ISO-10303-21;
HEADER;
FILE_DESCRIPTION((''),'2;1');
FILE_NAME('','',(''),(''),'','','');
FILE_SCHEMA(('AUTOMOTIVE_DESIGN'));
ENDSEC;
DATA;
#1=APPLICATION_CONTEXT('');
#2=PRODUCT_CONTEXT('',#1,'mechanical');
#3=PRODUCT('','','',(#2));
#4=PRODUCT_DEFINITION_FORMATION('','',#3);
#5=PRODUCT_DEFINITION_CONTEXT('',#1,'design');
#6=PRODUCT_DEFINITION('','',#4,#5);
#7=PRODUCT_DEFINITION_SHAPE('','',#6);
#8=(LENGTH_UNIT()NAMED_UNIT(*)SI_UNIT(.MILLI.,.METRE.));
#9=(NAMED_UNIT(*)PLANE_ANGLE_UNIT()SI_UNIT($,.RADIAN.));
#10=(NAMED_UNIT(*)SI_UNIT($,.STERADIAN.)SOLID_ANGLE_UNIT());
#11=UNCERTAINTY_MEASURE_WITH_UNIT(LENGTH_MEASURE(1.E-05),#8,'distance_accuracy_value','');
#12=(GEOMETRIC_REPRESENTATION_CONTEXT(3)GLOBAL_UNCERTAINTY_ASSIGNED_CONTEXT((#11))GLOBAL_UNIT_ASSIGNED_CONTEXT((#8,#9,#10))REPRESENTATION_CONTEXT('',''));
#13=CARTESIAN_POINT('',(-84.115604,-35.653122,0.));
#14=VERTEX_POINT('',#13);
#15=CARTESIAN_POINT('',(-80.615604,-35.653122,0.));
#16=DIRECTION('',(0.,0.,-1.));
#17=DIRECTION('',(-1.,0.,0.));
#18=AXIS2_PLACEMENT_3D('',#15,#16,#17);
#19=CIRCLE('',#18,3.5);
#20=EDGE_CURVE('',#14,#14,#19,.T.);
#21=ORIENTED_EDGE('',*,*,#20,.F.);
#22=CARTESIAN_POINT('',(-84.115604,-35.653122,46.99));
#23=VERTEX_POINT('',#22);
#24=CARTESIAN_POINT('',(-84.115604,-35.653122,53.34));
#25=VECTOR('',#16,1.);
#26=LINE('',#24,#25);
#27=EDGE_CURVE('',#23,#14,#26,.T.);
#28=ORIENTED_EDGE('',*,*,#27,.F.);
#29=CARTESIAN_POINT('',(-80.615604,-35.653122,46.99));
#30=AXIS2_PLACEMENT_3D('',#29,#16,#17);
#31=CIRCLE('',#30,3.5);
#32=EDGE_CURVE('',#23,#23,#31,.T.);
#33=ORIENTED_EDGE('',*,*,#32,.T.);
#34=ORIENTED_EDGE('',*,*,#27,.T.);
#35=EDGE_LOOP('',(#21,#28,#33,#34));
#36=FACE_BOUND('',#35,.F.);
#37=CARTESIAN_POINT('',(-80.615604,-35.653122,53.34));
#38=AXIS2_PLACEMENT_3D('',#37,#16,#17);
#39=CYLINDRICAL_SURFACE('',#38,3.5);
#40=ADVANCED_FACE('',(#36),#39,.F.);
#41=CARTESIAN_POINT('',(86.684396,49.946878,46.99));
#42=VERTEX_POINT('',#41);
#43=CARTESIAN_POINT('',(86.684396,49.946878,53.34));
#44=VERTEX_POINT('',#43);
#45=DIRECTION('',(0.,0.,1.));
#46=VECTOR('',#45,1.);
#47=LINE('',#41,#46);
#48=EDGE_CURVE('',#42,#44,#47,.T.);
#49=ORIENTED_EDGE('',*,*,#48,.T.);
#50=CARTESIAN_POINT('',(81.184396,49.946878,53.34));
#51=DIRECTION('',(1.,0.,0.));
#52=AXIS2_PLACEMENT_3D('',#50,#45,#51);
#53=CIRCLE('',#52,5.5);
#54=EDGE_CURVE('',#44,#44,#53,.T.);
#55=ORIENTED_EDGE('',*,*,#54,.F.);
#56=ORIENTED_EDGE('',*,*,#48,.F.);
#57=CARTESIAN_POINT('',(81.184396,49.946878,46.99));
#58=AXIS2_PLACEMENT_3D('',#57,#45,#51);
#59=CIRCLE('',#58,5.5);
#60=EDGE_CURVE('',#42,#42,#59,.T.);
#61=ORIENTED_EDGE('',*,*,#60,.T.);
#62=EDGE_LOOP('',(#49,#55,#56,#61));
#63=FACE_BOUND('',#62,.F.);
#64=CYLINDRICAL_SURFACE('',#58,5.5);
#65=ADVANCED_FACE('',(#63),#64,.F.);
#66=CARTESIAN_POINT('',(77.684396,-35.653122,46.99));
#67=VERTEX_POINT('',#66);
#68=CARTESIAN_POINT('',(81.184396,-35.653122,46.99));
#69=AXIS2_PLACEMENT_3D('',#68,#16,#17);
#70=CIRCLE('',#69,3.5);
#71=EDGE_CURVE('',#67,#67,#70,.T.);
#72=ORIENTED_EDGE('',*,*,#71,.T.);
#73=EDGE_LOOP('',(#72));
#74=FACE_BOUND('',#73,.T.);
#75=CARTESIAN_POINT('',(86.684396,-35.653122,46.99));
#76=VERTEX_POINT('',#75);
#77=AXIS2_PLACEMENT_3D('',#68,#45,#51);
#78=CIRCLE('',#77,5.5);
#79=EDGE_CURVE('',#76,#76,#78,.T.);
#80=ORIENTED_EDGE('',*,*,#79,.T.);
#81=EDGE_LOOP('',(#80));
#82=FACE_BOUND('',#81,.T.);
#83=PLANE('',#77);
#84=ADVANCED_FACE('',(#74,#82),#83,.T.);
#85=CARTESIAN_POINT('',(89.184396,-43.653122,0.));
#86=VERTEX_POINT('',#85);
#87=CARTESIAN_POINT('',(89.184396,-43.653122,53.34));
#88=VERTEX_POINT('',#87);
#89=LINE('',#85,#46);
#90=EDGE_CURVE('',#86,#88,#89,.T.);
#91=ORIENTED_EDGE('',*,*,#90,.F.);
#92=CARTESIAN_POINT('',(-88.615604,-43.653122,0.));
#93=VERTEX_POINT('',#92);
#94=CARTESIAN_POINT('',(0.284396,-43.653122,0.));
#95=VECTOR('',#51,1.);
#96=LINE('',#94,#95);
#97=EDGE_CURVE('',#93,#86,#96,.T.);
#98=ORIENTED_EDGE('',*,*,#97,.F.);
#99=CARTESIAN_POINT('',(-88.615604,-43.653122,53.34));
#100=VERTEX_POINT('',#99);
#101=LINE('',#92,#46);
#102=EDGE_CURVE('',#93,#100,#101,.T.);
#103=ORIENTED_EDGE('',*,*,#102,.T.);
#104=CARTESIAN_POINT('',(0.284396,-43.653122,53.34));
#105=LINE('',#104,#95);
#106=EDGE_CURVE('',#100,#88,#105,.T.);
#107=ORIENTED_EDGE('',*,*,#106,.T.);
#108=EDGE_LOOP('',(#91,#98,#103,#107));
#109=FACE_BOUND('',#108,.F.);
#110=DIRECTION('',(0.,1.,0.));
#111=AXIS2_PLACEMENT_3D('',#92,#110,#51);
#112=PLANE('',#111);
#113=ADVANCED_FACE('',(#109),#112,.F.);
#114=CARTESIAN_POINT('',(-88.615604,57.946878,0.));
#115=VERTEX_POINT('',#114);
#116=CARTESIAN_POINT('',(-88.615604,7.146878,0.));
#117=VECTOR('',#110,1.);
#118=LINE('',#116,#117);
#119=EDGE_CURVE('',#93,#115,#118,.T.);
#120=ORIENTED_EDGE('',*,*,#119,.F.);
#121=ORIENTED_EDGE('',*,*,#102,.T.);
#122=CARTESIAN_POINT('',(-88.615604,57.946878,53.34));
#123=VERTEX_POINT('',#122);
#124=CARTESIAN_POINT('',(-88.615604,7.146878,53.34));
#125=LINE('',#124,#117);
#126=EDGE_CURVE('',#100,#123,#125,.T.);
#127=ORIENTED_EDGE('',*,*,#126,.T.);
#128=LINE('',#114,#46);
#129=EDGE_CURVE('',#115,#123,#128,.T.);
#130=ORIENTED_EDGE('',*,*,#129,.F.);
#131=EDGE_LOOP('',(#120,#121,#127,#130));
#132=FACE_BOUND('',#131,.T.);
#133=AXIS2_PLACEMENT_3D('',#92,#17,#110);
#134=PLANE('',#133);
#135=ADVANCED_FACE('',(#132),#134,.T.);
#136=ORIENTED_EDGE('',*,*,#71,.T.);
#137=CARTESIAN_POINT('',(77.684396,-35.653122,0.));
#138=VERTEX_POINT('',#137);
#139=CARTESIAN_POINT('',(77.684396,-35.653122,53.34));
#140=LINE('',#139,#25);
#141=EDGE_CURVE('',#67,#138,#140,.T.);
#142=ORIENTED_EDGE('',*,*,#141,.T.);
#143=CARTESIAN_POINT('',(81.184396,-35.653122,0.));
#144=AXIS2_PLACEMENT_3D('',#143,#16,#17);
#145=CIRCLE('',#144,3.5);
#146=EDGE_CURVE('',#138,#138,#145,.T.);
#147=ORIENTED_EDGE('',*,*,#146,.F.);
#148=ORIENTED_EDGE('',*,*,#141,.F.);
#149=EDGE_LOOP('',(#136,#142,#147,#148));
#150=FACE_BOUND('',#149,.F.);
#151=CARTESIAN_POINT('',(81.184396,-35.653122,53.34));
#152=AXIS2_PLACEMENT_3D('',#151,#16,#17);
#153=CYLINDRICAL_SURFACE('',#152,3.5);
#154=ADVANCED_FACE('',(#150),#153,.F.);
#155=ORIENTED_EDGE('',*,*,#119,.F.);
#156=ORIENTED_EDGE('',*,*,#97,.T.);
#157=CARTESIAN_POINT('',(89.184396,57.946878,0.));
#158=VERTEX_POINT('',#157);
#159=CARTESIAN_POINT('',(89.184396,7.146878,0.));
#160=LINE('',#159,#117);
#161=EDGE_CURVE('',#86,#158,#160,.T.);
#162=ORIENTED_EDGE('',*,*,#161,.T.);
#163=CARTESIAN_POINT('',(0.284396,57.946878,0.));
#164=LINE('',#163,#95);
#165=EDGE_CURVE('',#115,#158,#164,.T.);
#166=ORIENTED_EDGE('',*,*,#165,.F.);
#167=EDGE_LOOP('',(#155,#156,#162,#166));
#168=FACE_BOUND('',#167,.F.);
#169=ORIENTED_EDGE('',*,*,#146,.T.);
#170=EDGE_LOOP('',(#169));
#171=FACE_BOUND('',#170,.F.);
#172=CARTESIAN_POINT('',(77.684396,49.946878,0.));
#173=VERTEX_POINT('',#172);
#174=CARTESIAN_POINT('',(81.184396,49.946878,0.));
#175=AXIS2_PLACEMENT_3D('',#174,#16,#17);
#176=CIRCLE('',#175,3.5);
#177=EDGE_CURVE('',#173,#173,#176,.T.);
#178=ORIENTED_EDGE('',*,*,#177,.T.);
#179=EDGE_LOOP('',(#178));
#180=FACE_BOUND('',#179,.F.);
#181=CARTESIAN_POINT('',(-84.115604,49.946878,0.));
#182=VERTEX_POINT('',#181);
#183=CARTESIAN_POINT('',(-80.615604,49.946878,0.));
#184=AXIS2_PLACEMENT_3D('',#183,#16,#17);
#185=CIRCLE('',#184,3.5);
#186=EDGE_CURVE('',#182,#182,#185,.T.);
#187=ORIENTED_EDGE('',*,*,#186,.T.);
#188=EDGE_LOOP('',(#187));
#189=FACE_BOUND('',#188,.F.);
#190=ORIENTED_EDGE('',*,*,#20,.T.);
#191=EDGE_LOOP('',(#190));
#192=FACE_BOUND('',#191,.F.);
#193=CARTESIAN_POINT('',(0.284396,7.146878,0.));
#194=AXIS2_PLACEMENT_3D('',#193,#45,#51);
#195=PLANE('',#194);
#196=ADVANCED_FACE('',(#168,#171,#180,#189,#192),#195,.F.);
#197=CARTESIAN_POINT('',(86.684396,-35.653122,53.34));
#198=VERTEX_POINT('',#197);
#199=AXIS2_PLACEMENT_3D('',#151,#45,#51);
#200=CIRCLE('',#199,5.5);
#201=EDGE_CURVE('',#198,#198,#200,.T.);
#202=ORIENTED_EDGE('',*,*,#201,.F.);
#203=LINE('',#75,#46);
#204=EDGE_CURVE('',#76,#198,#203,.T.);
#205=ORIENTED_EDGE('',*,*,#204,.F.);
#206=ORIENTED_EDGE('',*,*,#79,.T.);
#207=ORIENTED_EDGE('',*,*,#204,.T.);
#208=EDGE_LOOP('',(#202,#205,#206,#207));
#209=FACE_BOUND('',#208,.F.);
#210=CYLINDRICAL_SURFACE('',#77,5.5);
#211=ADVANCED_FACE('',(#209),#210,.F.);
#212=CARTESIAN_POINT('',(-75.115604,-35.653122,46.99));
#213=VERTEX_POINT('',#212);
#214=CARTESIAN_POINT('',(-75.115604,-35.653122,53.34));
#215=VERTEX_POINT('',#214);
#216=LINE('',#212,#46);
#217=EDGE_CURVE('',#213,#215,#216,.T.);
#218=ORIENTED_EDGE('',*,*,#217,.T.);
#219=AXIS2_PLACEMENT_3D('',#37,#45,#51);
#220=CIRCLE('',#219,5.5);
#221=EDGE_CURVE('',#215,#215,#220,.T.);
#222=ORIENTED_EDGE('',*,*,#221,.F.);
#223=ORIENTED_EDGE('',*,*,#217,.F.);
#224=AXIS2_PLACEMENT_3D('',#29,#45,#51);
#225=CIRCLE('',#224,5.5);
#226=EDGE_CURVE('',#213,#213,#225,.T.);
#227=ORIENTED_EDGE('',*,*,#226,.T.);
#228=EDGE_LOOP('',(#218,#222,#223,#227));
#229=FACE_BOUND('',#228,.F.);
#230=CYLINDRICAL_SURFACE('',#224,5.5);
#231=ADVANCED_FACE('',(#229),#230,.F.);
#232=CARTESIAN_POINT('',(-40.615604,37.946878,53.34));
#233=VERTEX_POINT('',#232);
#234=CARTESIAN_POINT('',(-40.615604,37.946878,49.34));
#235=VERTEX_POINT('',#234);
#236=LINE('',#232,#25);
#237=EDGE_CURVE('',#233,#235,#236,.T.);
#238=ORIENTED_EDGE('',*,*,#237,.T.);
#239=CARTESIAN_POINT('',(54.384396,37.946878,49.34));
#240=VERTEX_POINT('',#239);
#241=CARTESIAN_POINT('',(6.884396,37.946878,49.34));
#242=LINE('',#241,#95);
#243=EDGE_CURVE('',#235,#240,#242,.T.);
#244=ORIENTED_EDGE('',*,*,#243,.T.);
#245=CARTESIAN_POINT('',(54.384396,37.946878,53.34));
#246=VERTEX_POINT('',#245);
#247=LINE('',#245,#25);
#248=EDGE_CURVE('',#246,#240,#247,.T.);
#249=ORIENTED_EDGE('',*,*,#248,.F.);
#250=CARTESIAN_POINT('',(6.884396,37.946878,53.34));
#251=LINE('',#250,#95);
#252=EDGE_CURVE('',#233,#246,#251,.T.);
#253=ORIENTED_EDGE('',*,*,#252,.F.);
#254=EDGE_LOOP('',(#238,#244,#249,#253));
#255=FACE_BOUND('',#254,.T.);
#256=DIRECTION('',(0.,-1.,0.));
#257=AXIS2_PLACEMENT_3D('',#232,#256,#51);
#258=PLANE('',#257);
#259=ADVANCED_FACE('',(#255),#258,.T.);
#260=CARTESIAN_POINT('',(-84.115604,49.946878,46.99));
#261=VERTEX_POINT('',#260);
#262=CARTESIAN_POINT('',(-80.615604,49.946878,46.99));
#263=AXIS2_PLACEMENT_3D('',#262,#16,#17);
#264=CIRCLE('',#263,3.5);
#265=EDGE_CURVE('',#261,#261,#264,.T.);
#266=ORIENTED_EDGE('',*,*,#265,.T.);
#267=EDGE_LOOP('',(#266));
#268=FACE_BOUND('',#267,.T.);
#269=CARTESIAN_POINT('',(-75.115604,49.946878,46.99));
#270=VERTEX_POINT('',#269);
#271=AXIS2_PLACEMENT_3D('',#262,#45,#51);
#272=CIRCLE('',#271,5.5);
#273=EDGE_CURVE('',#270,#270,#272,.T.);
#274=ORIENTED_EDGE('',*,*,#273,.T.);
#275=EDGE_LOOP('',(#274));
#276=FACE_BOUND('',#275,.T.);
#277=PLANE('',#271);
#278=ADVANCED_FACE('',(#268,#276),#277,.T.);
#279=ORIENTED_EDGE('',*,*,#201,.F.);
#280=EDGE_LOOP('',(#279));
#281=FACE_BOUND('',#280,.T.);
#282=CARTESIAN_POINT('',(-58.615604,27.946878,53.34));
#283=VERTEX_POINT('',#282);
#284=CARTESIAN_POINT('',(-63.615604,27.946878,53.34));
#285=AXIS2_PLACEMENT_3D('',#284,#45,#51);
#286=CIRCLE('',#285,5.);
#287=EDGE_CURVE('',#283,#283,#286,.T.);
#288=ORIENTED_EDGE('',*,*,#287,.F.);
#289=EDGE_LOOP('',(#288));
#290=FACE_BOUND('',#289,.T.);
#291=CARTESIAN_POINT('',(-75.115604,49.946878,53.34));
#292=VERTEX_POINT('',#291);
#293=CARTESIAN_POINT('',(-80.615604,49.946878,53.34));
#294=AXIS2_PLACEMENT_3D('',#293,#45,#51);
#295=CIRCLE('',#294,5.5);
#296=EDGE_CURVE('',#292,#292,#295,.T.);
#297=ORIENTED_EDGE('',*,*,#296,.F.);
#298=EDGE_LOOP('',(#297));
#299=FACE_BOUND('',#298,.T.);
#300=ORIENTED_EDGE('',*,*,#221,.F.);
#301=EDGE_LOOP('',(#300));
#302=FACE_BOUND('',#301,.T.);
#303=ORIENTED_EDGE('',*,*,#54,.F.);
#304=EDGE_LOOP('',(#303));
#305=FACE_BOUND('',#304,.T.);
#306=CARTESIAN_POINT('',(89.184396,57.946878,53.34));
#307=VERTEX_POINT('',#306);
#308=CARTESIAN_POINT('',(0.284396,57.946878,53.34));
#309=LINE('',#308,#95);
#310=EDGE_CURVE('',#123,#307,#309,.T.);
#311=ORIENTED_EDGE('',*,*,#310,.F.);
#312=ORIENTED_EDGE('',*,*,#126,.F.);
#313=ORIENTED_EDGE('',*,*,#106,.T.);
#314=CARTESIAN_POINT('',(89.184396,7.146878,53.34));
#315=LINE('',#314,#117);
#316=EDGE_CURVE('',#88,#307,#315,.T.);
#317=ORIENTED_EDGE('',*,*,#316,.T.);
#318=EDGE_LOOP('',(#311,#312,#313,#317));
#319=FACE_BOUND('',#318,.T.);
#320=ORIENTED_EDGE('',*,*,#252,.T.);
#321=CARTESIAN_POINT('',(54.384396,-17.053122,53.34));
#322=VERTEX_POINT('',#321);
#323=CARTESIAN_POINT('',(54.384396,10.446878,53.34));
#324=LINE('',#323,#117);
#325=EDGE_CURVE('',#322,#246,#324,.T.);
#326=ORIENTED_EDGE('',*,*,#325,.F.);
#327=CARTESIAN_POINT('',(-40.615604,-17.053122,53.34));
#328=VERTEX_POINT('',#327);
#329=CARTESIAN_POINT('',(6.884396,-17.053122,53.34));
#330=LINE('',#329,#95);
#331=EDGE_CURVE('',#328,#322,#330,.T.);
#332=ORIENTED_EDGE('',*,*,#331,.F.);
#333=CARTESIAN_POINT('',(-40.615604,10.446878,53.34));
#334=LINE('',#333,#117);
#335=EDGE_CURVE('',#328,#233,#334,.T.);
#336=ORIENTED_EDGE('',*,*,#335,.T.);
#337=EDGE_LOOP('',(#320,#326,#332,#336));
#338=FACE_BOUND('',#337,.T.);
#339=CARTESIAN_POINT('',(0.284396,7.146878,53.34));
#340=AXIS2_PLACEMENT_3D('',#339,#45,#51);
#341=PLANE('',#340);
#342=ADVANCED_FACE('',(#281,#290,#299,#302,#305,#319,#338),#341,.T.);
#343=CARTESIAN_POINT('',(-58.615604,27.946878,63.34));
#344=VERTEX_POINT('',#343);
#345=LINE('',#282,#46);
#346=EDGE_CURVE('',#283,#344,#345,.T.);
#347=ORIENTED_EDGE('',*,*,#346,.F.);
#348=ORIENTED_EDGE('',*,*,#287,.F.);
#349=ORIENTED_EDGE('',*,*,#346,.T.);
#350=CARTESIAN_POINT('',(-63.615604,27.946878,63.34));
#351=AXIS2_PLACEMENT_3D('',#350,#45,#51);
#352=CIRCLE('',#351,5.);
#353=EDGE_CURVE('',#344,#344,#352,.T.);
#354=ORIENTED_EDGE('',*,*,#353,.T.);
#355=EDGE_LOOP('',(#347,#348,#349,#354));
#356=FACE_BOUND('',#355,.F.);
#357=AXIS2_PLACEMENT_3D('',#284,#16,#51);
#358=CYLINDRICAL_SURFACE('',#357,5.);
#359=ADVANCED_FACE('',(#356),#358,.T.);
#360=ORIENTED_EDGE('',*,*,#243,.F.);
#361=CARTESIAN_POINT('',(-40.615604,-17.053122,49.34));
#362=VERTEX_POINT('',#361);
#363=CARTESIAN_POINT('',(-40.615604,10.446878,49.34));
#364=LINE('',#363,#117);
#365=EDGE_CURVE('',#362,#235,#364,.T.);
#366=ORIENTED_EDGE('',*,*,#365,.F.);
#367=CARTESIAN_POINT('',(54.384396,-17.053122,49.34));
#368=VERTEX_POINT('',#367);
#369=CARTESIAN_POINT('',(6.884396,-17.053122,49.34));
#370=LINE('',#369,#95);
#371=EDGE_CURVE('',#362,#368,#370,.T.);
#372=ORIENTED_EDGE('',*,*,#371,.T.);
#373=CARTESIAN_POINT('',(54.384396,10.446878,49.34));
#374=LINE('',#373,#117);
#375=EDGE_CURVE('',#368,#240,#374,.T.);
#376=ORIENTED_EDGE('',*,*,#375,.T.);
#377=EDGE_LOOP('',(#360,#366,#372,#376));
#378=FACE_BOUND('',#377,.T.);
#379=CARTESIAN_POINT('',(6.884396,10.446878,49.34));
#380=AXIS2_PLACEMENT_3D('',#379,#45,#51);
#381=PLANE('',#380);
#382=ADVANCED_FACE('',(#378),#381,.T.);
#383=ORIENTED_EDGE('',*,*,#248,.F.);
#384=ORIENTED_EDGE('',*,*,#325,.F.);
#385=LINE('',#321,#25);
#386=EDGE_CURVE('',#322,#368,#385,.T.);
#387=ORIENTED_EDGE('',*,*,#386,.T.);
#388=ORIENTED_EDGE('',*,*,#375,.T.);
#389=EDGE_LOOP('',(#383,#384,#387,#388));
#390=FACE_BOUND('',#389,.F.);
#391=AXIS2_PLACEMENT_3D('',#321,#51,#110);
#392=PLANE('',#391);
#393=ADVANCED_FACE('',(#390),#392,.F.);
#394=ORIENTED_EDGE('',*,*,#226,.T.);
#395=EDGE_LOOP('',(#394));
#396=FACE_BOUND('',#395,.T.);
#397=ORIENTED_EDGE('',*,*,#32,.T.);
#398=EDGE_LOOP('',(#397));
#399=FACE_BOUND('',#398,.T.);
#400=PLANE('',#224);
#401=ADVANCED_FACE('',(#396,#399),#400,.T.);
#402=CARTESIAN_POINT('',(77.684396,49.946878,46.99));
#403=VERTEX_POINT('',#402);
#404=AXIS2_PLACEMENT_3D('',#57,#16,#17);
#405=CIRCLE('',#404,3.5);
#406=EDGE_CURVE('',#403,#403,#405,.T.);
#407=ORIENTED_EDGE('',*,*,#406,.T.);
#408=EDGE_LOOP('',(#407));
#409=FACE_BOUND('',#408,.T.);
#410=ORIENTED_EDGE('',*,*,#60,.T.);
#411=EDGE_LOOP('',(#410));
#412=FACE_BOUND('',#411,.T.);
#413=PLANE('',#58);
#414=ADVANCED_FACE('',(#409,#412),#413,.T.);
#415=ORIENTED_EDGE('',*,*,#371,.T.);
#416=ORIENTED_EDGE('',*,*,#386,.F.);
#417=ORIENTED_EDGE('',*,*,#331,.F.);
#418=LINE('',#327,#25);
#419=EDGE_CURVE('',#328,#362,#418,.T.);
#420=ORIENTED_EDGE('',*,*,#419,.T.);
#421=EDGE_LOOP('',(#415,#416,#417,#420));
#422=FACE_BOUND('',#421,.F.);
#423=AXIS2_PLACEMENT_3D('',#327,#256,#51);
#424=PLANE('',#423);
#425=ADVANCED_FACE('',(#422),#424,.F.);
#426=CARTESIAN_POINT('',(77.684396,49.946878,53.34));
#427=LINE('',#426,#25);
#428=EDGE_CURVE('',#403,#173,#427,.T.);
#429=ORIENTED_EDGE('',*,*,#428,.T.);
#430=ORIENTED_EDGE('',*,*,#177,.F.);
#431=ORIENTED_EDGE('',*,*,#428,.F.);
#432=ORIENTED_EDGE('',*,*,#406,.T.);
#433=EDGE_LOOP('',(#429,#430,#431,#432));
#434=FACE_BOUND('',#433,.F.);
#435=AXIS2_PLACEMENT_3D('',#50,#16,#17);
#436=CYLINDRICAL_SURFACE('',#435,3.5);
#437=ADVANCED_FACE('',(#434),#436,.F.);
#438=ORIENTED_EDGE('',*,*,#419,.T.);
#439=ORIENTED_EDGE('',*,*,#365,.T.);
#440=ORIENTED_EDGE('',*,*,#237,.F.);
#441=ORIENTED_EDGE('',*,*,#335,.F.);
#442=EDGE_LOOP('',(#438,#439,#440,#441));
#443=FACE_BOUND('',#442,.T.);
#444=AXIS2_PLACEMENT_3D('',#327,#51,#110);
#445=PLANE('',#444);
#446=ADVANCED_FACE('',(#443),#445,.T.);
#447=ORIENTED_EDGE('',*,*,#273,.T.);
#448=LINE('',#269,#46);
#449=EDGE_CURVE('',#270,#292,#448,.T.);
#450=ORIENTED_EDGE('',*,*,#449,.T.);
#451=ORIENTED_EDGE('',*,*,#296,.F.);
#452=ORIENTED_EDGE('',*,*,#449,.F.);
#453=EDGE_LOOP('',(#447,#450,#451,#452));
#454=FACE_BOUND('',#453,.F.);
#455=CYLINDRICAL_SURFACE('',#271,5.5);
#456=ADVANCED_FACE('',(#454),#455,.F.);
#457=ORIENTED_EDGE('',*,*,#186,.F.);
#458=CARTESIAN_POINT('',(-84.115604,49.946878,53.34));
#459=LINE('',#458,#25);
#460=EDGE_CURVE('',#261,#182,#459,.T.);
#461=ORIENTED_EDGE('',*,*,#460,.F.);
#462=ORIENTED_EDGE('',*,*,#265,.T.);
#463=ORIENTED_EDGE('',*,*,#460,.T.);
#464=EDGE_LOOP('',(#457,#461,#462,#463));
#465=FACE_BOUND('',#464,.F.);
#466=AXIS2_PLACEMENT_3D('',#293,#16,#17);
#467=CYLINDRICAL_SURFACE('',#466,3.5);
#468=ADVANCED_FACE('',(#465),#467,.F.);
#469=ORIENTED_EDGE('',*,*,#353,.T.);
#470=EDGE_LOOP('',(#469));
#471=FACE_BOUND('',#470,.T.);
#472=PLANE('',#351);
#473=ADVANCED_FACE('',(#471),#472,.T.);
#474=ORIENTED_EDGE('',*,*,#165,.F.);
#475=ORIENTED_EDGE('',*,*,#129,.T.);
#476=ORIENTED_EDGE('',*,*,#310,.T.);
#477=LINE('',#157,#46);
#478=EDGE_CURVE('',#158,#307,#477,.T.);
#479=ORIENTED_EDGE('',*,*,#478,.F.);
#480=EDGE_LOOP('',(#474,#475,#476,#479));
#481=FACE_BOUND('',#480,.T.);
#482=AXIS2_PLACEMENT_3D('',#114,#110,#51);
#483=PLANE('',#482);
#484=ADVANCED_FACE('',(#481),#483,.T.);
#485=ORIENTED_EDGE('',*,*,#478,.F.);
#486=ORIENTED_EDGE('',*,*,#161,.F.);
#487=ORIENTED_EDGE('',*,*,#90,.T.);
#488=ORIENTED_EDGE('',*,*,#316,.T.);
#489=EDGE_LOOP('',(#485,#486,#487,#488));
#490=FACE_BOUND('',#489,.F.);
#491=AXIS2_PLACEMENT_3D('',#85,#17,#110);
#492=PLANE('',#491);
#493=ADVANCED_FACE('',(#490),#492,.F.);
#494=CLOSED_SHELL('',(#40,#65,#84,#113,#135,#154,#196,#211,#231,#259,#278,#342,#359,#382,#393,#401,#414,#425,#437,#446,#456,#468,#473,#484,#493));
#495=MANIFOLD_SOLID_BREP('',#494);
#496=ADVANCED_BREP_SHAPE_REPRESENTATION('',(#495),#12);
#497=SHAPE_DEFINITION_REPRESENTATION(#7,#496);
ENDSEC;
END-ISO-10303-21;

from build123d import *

# Parameters (mm, degrees)
F0_W           = 177.8
F0_H           = 101.6
F1_DEPTH       = 53.34
F2_W           = 95
F2_H           = 55
F3_DEPTH       = 4
F4_D           = 7
F4_CBORE_D     = 11
F4_CBORE_DEPTH = 6.35
F2_R           = 5
F5_DEPTH       = 10


with BuildPart() as f1:
    # F0 (on Top) → F1 (new body)
    with BuildSketch(Plane.XY):
        with Locations((0.284396, 7.146878)):
            Rectangle(F0_W, F0_H)
    extrude(amount=F1_DEPTH)

    # F2 (on face) → F3 (cut)
    with BuildSketch(Plane.XY.offset(53.34)):
        with Locations((6.884396, 10.446878)):
            Rectangle(F2_W, F2_H)
    extrude(amount=-F3_DEPTH, mode=Mode.SUBTRACT)

    # F4 (through all)
    with Locations(Plane.XY.offset(53.34)):
        with Locations((-80.615604, 49.946878), (-80.615604, -35.653122), (81.184396, -35.653122), (81.184396, 49.946878)):
            CounterBoreHole(F4_D / 2, F4_CBORE_D / 2, F4_CBORE_DEPTH)

    # F2 (on face) → F5 (join)
    with BuildSketch(Plane.XY.offset(53.34)):
        with Locations((-63.615604, 27.946878)):
            Circle(F2_R)
    extrude(amount=F5_DEPTH)


solid = f1.part
